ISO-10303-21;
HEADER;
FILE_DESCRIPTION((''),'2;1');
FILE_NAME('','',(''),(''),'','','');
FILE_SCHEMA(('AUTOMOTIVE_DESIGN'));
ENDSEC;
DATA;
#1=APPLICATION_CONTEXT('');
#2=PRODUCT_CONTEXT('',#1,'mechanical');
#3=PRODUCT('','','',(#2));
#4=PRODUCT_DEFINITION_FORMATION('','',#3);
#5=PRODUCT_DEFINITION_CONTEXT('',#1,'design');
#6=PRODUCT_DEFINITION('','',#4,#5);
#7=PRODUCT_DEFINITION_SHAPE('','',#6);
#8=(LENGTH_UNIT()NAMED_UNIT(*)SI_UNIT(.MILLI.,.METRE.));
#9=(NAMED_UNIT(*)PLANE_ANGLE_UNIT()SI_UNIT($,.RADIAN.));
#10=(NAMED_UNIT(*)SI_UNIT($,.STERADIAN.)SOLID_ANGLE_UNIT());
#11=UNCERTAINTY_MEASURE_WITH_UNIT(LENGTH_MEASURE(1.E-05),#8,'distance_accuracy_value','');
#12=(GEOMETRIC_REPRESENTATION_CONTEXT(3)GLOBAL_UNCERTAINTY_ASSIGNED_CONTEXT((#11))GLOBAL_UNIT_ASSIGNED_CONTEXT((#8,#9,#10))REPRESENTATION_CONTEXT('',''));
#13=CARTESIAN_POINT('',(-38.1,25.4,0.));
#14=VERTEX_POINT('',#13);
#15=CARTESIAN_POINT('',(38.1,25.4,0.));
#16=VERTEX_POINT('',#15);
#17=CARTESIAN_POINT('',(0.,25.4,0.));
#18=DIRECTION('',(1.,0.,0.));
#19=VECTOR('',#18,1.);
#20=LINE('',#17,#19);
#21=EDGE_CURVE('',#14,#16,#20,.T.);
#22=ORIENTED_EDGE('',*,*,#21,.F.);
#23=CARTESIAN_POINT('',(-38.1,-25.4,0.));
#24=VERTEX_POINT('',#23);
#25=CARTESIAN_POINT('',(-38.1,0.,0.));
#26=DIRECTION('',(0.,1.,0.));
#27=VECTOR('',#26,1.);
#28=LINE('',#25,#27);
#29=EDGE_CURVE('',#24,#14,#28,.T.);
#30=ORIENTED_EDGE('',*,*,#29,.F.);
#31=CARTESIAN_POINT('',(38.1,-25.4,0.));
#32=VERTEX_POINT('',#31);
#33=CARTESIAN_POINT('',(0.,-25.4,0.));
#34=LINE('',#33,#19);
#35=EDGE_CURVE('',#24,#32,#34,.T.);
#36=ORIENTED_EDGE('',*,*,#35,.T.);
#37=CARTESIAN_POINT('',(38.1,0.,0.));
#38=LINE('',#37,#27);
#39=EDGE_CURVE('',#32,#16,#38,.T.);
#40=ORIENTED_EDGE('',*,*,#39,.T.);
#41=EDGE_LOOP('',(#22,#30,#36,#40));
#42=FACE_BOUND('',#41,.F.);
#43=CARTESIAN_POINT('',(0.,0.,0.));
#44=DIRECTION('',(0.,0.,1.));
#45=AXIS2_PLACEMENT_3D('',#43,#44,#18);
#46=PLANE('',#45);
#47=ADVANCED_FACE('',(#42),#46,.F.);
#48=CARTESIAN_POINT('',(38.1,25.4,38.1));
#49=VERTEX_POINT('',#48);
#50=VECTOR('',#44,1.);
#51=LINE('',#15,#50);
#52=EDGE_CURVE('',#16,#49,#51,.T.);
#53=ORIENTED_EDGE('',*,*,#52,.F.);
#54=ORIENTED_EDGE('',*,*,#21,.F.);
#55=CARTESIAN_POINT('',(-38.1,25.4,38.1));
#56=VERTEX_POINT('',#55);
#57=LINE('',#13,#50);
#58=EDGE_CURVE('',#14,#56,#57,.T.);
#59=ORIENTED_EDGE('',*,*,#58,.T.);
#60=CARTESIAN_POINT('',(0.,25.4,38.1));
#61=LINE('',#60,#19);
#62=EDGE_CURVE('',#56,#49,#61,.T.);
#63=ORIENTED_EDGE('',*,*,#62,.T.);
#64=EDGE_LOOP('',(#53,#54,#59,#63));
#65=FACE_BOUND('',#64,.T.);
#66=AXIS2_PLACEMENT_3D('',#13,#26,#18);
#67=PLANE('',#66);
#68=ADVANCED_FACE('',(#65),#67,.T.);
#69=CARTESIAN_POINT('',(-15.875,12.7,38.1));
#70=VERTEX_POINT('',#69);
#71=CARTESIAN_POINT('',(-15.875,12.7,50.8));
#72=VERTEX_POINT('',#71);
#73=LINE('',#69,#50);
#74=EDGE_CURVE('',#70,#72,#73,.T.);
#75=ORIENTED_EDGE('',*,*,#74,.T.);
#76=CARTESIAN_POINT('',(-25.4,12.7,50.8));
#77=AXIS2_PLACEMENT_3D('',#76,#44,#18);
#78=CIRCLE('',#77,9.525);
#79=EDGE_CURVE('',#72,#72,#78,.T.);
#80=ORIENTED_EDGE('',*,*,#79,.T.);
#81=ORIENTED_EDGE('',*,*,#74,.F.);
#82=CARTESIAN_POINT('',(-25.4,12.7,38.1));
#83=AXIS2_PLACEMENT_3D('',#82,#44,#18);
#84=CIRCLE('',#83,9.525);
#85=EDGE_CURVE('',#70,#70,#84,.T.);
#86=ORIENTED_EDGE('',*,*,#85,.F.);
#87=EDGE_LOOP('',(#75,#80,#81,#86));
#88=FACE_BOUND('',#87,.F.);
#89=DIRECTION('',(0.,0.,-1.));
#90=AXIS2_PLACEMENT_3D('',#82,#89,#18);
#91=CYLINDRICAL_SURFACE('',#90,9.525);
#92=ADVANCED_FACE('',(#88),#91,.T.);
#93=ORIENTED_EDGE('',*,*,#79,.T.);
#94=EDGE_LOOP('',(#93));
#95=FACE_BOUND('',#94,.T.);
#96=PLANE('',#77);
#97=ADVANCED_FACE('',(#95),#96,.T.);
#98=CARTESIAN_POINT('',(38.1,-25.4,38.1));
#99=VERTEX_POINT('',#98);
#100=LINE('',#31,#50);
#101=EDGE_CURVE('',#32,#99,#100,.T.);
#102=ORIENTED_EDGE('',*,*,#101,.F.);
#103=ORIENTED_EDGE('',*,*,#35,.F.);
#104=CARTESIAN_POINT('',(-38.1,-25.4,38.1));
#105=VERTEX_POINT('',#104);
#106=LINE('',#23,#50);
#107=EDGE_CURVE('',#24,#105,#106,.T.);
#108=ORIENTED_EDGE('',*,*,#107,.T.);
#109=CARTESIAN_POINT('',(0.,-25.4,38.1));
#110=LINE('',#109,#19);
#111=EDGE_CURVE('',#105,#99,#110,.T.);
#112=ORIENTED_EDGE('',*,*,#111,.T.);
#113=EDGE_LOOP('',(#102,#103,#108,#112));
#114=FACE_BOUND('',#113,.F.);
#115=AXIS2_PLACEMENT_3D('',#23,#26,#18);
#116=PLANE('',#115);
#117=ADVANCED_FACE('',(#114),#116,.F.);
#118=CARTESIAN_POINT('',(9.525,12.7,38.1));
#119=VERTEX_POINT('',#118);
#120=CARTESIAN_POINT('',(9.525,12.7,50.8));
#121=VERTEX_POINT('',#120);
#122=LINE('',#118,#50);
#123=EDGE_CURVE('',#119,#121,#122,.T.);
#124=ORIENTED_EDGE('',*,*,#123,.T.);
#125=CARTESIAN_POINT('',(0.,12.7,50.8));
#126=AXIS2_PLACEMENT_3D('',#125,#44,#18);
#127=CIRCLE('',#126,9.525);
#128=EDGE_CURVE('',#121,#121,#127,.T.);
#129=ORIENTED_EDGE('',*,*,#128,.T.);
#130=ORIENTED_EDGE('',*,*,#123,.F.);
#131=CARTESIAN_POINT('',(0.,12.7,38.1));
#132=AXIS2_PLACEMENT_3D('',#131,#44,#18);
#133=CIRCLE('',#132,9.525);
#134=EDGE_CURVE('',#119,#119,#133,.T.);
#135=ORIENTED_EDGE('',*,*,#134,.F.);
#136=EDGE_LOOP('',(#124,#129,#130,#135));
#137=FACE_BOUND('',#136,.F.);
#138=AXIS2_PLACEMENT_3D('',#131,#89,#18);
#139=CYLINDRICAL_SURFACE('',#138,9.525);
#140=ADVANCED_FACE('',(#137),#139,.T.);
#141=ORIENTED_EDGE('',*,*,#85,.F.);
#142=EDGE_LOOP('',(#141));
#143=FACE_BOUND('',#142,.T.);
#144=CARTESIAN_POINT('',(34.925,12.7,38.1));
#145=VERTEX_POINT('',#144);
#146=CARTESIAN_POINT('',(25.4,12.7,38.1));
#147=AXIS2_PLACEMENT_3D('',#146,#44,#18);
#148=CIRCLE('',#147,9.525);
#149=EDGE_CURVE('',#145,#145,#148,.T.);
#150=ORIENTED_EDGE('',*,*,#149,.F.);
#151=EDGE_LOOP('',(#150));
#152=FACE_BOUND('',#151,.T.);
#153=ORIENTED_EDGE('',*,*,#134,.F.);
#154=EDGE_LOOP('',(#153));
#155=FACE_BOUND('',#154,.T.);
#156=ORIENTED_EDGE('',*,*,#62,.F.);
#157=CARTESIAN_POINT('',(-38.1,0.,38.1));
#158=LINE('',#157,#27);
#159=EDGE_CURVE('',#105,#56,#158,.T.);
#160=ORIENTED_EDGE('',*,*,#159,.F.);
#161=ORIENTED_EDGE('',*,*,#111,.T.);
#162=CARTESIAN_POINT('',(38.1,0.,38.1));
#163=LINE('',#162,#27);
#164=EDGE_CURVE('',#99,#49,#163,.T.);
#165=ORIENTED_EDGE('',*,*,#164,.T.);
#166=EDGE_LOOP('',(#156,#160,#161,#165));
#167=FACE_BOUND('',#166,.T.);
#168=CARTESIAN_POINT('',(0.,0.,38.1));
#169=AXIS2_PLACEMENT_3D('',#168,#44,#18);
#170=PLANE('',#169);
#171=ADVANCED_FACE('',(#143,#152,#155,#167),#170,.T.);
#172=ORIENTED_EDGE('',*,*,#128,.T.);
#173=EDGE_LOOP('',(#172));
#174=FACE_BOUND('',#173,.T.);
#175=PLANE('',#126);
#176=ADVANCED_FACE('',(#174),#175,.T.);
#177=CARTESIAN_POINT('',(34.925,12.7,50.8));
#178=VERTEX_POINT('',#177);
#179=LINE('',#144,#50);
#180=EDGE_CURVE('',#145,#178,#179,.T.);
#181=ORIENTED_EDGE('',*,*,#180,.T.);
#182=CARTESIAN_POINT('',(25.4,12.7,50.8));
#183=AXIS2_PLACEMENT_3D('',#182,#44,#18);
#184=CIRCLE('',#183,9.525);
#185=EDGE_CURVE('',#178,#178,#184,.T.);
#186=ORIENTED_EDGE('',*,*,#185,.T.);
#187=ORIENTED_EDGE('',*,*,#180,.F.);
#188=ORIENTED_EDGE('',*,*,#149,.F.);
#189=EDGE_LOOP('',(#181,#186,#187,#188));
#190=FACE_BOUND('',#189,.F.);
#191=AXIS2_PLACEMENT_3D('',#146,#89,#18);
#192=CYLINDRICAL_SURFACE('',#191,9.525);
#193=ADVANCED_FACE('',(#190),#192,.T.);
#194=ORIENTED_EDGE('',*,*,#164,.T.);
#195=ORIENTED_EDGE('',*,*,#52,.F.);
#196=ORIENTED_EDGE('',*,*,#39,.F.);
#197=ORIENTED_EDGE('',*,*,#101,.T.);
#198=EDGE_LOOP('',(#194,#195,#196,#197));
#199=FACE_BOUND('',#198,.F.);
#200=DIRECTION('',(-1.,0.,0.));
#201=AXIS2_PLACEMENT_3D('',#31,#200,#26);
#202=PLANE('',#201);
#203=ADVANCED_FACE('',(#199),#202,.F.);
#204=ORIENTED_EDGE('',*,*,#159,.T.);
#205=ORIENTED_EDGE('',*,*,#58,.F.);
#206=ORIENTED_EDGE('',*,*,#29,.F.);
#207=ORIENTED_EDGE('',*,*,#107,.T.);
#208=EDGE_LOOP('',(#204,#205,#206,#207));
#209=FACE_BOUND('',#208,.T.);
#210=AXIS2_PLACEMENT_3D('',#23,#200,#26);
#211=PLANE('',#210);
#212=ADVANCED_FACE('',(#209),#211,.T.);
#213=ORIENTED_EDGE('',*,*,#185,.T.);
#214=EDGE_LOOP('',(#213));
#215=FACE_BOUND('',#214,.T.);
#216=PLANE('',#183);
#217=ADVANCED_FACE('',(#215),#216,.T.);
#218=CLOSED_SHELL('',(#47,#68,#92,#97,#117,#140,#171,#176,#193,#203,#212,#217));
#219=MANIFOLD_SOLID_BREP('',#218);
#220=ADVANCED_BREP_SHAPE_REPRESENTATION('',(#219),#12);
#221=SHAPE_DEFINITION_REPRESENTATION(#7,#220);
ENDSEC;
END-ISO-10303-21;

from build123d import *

# Parameters (mm, degrees)
F0_W     = 76.2
F0_H     = 50.8
F1_DEPTH = 38.1
F2_R     = 9.525
F3_DEPTH = 12.7


with BuildPart() as f1:
    # F0 (on Top) → F1 (new body)
    with BuildSketch(Plane.XY):
        Rectangle(F0_W, F0_H)
    extrude(amount=F1_DEPTH)

    # F2 (on face) → F3 (join)
    with BuildSketch(Plane.XY.offset(38.1)):
        with Locations((-25.4, 12.7)):
            Circle(F2_R)
        with Locations((0, 12.7)):
            Circle(F2_R)
        with Locations((25.4, 12.7)):
            Circle(F2_R)
    extrude(amount=F3_DEPTH)


solid = f1.part
